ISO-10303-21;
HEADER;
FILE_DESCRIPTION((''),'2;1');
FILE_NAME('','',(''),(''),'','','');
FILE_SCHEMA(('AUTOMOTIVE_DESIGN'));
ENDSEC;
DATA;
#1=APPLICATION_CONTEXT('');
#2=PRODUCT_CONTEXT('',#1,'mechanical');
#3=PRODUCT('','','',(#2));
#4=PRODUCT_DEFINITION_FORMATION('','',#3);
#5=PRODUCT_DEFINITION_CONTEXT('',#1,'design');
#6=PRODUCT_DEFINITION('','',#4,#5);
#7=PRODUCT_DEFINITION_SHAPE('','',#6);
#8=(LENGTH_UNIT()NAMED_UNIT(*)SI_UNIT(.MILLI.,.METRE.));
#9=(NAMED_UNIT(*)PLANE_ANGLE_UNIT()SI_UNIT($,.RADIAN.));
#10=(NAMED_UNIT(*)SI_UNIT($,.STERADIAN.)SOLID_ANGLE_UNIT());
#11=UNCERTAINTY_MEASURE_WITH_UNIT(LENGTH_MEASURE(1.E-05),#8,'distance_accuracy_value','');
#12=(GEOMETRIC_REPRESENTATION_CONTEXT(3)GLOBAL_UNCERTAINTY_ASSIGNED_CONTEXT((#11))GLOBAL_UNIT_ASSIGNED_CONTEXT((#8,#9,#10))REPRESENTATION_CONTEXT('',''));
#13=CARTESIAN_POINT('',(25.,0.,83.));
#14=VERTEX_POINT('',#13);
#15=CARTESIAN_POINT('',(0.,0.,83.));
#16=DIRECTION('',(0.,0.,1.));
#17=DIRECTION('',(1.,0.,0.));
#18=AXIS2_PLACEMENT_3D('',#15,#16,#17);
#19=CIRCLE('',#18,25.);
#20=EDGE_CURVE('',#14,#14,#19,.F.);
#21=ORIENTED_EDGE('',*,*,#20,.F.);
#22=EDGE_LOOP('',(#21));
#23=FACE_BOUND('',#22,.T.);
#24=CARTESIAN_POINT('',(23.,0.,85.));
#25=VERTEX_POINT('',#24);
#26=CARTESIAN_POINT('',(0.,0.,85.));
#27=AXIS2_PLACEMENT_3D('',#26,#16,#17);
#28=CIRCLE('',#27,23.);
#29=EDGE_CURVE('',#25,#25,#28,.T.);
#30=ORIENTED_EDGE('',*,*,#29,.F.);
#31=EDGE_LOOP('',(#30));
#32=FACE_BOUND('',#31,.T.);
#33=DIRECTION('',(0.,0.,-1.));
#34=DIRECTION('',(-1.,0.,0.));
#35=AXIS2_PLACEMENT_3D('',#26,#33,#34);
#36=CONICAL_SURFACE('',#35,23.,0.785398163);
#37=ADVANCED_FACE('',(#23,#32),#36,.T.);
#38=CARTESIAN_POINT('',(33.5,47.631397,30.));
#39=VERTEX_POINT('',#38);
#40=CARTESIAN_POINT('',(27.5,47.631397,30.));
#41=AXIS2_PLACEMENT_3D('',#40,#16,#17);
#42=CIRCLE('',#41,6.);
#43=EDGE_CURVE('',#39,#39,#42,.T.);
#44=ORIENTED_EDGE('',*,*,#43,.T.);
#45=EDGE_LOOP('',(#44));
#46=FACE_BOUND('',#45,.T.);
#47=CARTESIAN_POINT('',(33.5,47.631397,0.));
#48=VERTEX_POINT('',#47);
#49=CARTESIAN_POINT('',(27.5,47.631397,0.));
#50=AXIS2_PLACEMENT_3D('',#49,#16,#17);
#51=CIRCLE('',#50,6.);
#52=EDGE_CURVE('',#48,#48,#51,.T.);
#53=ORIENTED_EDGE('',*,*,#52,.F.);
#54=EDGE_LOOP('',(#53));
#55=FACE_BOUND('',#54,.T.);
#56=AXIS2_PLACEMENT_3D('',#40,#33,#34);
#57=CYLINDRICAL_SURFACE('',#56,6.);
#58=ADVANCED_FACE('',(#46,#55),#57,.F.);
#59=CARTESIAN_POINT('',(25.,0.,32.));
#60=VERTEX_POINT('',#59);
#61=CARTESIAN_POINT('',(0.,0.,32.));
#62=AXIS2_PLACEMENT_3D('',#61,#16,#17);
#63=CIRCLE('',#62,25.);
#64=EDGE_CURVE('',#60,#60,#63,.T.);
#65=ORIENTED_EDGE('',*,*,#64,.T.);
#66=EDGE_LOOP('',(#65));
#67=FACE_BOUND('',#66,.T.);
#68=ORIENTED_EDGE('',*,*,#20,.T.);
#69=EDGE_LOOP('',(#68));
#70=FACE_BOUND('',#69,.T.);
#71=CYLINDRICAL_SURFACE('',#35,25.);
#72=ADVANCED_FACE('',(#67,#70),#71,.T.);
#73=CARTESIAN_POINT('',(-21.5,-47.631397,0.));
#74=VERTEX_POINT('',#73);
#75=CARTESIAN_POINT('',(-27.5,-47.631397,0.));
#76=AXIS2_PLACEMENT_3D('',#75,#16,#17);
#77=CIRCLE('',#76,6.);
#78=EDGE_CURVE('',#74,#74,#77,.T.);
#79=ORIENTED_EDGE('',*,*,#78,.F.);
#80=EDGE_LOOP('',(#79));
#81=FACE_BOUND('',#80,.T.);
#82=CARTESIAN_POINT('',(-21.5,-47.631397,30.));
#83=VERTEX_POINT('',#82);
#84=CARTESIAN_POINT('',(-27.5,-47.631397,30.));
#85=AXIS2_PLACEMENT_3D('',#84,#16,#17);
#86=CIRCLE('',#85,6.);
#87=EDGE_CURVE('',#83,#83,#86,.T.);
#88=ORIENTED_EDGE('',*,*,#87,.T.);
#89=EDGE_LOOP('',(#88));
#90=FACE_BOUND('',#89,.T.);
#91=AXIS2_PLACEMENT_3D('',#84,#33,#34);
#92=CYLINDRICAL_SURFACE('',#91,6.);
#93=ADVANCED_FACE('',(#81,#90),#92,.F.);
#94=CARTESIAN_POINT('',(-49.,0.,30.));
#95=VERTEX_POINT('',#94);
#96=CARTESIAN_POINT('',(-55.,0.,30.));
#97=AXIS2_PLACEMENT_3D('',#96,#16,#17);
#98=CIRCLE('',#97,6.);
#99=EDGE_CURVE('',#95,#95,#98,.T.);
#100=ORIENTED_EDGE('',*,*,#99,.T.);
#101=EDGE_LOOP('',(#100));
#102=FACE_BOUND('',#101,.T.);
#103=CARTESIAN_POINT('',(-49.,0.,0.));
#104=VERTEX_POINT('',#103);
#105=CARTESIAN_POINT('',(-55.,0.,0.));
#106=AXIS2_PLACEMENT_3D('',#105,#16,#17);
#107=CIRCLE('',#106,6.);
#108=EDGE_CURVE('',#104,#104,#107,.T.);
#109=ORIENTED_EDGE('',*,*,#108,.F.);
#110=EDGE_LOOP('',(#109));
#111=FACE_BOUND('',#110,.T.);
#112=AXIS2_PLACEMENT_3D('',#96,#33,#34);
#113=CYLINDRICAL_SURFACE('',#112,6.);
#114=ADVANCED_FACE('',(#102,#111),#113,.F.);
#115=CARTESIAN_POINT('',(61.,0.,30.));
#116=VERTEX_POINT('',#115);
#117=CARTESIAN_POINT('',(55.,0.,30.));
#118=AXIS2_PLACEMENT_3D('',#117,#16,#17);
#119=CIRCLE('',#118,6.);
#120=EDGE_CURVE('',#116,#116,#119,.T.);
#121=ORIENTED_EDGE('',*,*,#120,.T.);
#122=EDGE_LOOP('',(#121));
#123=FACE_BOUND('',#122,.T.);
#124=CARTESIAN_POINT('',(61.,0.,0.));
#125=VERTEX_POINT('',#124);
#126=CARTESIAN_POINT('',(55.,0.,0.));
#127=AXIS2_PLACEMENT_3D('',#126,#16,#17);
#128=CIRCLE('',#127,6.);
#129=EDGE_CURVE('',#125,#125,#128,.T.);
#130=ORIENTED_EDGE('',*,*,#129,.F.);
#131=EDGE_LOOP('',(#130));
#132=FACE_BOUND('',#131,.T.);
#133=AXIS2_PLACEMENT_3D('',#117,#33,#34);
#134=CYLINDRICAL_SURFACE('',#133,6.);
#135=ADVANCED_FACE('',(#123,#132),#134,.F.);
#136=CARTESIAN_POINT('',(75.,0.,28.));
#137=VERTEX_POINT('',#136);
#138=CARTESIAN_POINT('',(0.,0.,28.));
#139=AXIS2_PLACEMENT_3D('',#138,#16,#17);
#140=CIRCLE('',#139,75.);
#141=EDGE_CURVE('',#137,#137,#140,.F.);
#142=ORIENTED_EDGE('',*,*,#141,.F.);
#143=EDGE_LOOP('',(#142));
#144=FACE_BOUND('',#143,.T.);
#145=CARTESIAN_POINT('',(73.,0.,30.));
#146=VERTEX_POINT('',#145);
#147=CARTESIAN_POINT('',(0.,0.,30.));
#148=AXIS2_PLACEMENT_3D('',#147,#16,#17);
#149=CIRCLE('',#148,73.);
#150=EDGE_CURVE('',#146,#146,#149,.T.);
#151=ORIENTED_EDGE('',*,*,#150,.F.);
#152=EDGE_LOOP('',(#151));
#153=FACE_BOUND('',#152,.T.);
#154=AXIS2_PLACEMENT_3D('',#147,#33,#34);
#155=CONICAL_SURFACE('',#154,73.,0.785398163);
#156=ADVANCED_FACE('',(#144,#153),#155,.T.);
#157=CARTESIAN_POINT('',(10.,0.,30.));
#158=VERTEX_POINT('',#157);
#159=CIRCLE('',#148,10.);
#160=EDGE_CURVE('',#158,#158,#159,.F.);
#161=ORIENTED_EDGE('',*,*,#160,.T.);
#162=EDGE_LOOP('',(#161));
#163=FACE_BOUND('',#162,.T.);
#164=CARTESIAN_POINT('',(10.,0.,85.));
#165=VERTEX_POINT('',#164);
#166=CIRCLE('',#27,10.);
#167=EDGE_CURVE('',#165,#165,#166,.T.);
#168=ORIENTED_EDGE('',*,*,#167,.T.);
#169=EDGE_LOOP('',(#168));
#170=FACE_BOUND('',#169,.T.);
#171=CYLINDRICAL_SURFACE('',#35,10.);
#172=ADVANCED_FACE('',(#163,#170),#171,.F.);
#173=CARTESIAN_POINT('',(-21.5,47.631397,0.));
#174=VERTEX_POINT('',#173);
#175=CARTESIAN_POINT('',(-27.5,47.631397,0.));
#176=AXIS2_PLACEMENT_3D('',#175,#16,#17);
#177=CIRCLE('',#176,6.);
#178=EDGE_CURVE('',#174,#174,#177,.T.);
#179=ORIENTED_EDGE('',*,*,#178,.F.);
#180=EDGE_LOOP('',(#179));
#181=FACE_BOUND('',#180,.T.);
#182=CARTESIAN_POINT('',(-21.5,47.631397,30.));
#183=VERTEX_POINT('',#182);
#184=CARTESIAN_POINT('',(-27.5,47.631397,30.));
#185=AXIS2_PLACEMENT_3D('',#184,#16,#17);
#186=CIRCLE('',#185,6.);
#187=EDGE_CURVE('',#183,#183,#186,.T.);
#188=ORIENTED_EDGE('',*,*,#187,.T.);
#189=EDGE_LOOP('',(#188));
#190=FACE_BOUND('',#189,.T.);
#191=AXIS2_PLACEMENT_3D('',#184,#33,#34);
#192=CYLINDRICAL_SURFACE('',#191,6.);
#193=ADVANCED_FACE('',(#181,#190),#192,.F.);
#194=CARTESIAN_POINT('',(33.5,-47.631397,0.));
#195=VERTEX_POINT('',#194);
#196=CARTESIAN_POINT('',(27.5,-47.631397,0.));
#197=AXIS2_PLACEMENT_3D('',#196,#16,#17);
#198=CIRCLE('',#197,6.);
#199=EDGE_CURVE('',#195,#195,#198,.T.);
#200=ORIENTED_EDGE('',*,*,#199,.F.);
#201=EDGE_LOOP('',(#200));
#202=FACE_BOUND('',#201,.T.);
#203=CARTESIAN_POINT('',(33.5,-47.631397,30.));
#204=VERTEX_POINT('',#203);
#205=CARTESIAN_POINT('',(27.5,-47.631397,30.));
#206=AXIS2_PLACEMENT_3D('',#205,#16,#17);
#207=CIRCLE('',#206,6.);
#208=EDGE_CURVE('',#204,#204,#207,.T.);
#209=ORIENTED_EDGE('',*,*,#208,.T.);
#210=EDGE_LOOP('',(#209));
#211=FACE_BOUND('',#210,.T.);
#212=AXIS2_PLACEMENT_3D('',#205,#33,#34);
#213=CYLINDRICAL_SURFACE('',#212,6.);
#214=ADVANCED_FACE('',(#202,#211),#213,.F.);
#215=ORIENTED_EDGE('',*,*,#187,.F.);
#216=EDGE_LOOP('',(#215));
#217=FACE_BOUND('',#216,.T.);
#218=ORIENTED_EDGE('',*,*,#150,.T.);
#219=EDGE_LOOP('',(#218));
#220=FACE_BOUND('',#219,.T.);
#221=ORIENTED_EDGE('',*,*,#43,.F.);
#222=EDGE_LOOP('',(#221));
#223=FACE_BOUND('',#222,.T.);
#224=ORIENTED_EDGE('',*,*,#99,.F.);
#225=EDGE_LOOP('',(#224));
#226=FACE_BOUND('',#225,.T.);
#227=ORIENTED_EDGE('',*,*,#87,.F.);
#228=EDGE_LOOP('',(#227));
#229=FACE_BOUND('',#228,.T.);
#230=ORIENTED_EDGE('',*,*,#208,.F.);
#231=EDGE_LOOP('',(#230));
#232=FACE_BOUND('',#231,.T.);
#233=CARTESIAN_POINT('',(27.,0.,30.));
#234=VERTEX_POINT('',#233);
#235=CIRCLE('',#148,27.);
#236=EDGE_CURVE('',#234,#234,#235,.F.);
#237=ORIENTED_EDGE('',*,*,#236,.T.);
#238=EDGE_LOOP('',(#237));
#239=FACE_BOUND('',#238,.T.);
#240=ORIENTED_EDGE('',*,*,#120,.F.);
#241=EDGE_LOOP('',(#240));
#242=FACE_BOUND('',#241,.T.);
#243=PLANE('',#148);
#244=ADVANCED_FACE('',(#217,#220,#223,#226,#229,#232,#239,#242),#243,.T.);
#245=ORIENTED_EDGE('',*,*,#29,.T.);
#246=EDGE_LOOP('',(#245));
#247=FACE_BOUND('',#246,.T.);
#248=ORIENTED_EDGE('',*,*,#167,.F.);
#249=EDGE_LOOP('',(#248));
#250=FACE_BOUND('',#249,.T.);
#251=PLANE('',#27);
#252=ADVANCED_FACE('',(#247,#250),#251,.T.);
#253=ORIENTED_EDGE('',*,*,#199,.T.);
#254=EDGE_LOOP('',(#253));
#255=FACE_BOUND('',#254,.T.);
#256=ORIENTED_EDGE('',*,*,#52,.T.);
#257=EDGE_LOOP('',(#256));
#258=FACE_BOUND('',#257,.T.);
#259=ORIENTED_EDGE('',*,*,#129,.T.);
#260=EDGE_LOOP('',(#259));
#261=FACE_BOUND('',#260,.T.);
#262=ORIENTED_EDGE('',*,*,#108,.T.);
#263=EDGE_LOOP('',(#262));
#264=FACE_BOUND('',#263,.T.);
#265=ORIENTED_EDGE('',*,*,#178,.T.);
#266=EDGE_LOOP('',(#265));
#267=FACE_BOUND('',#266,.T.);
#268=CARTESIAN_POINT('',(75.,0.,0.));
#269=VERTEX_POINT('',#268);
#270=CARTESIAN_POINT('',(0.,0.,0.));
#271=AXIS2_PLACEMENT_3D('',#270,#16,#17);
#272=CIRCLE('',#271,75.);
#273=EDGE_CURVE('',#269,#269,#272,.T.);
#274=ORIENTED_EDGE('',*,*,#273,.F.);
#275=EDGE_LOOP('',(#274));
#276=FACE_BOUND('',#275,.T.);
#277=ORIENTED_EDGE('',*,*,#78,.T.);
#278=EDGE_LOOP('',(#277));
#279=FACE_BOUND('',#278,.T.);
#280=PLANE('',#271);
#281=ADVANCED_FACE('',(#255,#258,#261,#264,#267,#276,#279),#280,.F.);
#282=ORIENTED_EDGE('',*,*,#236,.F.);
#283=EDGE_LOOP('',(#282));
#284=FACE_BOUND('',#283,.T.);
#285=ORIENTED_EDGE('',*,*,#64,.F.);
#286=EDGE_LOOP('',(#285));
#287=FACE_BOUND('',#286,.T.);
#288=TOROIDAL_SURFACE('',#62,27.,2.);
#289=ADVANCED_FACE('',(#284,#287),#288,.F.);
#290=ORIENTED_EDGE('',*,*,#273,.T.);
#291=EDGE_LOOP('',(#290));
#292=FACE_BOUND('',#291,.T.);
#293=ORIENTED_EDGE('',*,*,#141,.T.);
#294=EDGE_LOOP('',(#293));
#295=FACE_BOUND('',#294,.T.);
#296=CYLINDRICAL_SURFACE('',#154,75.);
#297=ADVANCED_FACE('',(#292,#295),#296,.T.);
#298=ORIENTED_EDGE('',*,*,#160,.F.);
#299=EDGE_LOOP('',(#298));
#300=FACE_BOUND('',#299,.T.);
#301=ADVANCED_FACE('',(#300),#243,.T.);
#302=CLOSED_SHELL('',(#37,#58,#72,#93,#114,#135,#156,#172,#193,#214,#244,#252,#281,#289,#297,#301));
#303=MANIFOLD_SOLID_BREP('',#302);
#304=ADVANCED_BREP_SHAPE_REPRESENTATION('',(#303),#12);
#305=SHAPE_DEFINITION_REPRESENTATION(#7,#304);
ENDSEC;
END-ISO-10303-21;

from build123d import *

# Parameters (mm, degrees)
SKETCH_1_R      = 75
SKETCH_1_R_2    = 6
EXTRUDE_1_DEPTH = 30
SKETCH_2_R      = 25
SKETCH_2_R_2    = 10
EXTRUDE_2_DEPTH = 55
CHAMFER_1_SIZE  = 2
FILLET_1_R      = 2


with BuildPart() as part:
    # 草图1 → 凸台-拉伸1 (new body)
    with BuildSketch(Plane.XY):
        Circle(SKETCH_1_R)
        with Locations((-55, 0)):
            Circle(SKETCH_1_R_2, mode=Mode.SUBTRACT)
        with Locations((-27.5, 47.631397208)):
            Circle(SKETCH_1_R_2, mode=Mode.SUBTRACT)
        with Locations((27.5, 47.631397208)):
            Circle(SKETCH_1_R_2, mode=Mode.SUBTRACT)
        with Locations((55, 0)):
            Circle(SKETCH_1_R_2, mode=Mode.SUBTRACT)
        with Locations((27.5, -47.631397208)):
            Circle(SKETCH_1_R_2, mode=Mode.SUBTRACT)
        with Locations((-27.5, -47.631397208)):
            Circle(SKETCH_1_R_2, mode=Mode.SUBTRACT)
    extrude(amount=EXTRUDE_1_DEPTH)

    # 草图2 → 凸台-拉伸2 (add)
    with BuildSketch(Plane.XY.offset(30)):
        Circle(SKETCH_2_R)
        Circle(SKETCH_2_R_2, mode=Mode.SUBTRACT)
    extrude(amount=EXTRUDE_2_DEPTH)

    # 倒角1
    chamfer_1_edges = [part.edges().sort_by_distance(p)[0] for p in [
        (-25, 0, 85),
        (-75, 0, 30),
    ]]
    chamfer(chamfer_1_edges, length=CHAMFER_1_SIZE)

    # 圆角1
    fillet_1_edges = [part.edges().sort_by_distance(p)[0] for p in [
        (-25, 0, 30),
    ]]
    fillet(fillet_1_edges, radius=FILLET_1_R)


solid = part.part
